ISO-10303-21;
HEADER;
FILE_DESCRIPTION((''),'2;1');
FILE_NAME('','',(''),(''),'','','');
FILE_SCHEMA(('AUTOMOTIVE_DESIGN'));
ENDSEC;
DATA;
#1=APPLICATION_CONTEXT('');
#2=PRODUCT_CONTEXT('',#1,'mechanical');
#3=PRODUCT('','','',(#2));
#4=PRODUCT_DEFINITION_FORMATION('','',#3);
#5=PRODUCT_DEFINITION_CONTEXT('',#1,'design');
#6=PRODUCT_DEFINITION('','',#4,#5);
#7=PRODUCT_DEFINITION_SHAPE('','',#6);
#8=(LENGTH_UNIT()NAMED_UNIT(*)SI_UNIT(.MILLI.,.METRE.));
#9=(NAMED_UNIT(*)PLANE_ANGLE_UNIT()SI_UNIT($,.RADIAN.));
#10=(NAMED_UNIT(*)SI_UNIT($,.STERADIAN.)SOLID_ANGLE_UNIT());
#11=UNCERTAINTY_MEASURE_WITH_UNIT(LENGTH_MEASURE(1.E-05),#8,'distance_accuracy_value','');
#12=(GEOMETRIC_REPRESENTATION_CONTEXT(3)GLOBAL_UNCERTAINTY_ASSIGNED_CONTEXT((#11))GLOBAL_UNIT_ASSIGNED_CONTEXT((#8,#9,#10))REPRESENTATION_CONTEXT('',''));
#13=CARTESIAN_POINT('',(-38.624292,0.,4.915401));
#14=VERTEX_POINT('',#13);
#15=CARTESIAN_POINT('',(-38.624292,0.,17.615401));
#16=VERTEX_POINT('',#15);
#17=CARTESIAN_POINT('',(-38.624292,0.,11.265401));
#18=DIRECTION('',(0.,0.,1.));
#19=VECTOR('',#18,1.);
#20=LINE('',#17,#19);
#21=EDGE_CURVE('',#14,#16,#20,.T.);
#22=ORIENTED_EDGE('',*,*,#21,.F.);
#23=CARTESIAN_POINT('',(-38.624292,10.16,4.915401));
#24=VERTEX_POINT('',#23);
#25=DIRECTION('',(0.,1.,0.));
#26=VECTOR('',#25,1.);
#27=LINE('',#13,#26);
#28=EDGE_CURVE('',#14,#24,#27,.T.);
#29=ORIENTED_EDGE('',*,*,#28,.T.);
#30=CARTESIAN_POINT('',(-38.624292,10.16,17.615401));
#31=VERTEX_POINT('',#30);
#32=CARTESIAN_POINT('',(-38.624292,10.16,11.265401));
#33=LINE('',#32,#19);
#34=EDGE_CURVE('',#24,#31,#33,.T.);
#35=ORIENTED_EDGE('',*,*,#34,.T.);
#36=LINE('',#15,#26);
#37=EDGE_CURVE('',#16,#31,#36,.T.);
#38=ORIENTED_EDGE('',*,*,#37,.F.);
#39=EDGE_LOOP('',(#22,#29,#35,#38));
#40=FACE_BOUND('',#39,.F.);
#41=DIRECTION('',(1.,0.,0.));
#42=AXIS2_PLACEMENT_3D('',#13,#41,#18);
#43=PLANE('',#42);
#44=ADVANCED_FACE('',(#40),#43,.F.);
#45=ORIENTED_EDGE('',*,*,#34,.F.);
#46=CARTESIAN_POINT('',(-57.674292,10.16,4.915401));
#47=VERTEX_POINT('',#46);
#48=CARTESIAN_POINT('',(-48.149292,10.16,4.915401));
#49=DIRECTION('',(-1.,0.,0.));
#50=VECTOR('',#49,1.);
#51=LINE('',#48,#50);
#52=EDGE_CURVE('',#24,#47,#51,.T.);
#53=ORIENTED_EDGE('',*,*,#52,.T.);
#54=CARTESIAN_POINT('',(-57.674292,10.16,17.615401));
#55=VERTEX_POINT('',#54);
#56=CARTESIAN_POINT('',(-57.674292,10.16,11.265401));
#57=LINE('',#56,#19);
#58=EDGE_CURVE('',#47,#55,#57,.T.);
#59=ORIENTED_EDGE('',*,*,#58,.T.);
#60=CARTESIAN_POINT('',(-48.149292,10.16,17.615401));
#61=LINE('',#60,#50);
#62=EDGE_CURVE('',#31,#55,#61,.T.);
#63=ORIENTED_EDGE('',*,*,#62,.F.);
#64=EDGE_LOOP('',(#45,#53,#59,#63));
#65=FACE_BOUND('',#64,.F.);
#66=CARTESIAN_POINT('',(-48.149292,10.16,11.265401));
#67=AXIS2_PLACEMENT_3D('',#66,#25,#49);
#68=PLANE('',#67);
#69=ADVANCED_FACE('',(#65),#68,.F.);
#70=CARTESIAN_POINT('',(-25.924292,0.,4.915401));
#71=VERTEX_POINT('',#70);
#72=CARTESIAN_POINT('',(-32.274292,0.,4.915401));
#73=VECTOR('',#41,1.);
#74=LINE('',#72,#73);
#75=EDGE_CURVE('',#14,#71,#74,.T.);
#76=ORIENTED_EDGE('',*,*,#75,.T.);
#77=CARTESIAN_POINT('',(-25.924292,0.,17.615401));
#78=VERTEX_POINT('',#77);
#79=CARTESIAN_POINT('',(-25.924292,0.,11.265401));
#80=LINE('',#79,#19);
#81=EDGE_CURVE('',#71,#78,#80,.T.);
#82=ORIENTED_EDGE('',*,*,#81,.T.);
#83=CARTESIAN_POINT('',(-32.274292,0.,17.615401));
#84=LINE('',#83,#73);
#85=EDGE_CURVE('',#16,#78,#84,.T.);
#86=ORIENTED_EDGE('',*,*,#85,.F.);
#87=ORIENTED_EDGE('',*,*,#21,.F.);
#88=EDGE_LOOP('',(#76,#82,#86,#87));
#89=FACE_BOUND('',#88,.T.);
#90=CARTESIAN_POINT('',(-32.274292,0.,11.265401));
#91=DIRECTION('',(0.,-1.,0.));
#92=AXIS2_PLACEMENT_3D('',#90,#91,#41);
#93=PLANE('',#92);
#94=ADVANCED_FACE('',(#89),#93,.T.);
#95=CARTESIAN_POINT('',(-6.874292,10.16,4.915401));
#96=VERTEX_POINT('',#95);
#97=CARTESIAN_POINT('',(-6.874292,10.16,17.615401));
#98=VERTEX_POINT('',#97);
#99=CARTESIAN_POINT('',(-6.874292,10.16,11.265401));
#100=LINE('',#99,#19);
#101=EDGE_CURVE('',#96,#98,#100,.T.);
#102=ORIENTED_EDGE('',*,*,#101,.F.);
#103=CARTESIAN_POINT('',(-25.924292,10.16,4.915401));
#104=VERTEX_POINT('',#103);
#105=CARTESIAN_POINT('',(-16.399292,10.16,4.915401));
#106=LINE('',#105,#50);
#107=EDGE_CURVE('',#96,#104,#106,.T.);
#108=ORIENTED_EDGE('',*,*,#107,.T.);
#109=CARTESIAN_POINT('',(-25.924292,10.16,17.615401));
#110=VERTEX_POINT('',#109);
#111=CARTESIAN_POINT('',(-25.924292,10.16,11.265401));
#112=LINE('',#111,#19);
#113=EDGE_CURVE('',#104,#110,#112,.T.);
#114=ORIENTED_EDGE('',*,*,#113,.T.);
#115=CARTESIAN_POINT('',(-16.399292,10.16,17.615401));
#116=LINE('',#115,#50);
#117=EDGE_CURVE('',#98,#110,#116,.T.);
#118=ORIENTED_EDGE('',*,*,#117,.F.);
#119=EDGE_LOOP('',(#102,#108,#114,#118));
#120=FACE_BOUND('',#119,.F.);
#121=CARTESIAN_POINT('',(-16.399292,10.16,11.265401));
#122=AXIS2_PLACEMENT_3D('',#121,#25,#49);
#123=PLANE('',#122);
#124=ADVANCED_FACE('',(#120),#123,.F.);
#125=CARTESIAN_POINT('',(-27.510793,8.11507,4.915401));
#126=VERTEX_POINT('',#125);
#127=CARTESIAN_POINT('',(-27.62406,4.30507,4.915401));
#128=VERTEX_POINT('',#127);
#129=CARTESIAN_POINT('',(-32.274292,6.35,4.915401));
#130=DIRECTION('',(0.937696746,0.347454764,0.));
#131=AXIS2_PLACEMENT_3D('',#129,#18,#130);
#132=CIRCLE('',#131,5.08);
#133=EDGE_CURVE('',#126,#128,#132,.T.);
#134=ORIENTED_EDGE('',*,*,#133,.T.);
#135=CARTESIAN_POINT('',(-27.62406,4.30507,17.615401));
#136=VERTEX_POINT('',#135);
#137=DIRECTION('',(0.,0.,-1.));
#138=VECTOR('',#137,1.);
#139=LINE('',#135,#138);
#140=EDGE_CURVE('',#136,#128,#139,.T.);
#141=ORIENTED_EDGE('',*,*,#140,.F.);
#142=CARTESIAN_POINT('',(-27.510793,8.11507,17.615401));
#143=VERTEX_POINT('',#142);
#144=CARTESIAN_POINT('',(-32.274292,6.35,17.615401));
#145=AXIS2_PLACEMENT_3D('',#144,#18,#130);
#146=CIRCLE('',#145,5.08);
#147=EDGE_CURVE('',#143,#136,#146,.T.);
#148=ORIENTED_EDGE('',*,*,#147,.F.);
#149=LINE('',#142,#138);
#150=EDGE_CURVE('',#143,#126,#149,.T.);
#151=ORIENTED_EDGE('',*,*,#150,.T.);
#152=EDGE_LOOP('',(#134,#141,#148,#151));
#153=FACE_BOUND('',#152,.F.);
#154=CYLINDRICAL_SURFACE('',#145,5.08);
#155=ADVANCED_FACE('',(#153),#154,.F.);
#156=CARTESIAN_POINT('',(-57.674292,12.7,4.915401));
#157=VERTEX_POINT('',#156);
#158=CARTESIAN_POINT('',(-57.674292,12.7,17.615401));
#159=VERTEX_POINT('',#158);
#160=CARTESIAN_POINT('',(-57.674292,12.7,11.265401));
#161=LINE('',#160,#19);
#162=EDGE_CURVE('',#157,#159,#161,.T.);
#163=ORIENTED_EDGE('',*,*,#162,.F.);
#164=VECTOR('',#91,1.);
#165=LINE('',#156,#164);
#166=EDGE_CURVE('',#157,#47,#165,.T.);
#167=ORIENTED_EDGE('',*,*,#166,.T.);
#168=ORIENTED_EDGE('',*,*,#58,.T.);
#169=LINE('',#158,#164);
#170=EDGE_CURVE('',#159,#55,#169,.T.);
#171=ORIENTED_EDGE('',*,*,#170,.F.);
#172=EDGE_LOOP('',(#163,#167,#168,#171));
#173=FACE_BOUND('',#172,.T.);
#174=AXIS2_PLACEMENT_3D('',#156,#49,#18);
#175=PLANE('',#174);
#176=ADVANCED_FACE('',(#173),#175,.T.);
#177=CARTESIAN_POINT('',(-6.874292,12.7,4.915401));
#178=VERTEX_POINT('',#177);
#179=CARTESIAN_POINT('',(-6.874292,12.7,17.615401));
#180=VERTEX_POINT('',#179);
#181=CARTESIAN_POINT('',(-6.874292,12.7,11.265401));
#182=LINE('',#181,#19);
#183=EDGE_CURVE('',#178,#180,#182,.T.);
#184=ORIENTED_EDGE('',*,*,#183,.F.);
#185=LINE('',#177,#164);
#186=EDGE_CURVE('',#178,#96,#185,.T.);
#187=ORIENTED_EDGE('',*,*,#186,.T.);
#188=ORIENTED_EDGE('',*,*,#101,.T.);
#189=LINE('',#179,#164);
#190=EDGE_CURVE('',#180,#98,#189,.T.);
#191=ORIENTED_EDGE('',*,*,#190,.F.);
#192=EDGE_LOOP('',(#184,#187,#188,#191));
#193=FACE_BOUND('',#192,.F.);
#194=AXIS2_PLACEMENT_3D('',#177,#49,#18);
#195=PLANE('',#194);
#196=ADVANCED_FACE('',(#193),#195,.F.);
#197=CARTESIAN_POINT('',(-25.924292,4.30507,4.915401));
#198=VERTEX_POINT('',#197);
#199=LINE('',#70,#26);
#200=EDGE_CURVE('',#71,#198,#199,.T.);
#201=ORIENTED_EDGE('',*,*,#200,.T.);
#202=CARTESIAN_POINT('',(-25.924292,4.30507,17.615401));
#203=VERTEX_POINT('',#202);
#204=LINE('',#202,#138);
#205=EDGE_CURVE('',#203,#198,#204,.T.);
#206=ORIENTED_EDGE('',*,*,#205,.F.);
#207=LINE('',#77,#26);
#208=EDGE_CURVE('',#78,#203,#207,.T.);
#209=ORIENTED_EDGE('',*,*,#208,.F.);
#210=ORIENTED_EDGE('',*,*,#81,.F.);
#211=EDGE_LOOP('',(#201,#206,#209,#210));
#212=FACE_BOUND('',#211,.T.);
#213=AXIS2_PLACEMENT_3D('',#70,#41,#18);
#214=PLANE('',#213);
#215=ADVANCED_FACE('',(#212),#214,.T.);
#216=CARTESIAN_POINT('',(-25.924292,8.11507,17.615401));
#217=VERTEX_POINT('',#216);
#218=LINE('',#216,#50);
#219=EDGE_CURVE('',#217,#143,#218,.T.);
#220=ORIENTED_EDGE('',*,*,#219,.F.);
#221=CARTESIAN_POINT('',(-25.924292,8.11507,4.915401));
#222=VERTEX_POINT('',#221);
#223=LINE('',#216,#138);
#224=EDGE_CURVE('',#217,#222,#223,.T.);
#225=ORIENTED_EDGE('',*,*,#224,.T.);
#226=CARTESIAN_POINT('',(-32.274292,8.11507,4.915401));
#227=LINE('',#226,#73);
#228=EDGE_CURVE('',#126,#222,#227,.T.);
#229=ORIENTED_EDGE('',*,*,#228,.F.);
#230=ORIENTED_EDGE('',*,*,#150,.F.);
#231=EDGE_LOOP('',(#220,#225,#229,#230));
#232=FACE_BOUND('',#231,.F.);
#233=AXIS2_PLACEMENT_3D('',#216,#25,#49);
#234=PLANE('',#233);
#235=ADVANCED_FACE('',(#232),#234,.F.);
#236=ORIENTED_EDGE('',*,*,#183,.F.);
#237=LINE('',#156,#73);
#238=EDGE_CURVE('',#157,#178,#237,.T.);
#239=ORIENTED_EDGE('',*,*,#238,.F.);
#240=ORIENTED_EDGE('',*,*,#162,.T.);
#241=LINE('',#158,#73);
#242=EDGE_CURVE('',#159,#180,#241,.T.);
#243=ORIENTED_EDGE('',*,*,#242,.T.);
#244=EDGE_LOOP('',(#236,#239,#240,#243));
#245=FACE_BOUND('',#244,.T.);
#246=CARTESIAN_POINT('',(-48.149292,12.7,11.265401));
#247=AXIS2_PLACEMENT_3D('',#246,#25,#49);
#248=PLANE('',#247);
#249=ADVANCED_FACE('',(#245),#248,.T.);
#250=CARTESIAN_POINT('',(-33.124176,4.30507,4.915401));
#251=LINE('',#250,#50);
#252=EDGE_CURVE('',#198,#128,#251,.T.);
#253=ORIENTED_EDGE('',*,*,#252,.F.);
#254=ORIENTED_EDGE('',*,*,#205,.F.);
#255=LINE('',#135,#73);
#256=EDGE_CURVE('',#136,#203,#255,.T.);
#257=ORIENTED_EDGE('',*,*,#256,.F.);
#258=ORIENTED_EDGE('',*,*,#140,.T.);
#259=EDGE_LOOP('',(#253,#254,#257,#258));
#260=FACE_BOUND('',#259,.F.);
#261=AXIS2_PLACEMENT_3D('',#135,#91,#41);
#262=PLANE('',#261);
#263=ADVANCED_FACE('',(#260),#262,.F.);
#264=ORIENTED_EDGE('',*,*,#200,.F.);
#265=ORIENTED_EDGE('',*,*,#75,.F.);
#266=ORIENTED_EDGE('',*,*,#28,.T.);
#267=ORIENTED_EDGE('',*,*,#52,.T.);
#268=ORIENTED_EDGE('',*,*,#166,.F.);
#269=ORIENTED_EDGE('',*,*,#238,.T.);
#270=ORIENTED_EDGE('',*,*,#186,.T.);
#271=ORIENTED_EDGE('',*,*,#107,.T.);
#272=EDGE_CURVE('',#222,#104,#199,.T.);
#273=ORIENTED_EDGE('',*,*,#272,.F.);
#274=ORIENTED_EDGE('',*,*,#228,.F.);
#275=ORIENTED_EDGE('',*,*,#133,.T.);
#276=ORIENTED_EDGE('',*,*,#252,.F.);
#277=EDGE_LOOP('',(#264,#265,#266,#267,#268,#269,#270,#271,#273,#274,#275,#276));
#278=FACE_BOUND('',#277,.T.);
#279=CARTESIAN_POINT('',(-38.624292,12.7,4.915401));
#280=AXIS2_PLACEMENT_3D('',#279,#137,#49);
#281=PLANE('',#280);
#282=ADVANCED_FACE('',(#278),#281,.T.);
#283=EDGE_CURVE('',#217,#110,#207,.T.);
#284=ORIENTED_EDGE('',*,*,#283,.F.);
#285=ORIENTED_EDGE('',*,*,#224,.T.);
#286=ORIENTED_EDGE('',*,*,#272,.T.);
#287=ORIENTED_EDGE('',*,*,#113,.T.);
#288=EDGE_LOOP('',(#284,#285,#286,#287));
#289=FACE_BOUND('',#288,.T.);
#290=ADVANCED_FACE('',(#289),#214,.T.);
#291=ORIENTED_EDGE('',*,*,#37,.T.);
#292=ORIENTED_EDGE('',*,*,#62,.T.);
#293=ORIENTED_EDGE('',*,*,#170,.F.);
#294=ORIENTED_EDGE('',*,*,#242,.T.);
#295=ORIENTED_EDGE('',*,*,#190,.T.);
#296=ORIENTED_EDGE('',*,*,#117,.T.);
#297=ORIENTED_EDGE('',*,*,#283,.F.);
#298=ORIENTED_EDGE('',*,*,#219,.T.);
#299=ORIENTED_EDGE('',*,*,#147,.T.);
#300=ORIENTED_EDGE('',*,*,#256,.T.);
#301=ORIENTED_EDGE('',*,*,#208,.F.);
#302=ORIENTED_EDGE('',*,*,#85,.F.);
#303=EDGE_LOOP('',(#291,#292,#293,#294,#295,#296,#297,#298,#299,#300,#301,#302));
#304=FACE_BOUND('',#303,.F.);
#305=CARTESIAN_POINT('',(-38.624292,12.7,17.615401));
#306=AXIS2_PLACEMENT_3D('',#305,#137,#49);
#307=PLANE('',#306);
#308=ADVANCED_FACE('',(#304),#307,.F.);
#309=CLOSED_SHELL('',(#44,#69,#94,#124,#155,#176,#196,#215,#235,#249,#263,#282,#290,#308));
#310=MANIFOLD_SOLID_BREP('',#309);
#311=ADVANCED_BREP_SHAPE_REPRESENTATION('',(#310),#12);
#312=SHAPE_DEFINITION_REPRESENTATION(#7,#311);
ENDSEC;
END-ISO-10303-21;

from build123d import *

# Parameters (mm, degrees)
F0_W     = 12.7
F0_H     = 12.7
F1_DEPTH = 12.7
F3_DEPTH = 38.1
F4_W     = 19.05
F4_H     = 12.7
F5_DEPTH = 2.54


with BuildPart() as f1:
    # F0 (on Front) → F1 (new body)
    with BuildSketch(Plane.XZ):
        with Locations((-32.274292, 11.265401)):
            Rectangle(F0_W, F0_H)
    extrude(amount=-F1_DEPTH)

    # F2 (on face) → F3 (cut)
    with BuildSketch(Plane.XY.offset(17.615401)):
        with BuildLine():
            Line((-25.924292, 8.11507), (-27.510793, 8.11507))
            ThreePointArc((-27.510793, 8.11507), (-37.352049, 6.500956), (-27.62406, 4.30507))
            Line((-27.62406, 4.30507), (-25.924292, 4.30507))
            Line((-25.924292, 4.30507), (-25.924292, 8.11507))
        make_face()
    extrude(amount=-F3_DEPTH, mode=Mode.SUBTRACT)

    # F4 (on face) → F5 (join)
    with BuildSketch(Plane(origin=(0, 12.7, 0), x_dir=(-1, 0, 0), z_dir=(0, 1, 0))):
        with Locations((48.149292, 11.265401)):
            Rectangle(F4_W, F4_H)
        with Locations((16.399292, 11.265401)):
            Rectangle(F4_W, F4_H)
    extrude(amount=-F5_DEPTH)


solid = f1.part
